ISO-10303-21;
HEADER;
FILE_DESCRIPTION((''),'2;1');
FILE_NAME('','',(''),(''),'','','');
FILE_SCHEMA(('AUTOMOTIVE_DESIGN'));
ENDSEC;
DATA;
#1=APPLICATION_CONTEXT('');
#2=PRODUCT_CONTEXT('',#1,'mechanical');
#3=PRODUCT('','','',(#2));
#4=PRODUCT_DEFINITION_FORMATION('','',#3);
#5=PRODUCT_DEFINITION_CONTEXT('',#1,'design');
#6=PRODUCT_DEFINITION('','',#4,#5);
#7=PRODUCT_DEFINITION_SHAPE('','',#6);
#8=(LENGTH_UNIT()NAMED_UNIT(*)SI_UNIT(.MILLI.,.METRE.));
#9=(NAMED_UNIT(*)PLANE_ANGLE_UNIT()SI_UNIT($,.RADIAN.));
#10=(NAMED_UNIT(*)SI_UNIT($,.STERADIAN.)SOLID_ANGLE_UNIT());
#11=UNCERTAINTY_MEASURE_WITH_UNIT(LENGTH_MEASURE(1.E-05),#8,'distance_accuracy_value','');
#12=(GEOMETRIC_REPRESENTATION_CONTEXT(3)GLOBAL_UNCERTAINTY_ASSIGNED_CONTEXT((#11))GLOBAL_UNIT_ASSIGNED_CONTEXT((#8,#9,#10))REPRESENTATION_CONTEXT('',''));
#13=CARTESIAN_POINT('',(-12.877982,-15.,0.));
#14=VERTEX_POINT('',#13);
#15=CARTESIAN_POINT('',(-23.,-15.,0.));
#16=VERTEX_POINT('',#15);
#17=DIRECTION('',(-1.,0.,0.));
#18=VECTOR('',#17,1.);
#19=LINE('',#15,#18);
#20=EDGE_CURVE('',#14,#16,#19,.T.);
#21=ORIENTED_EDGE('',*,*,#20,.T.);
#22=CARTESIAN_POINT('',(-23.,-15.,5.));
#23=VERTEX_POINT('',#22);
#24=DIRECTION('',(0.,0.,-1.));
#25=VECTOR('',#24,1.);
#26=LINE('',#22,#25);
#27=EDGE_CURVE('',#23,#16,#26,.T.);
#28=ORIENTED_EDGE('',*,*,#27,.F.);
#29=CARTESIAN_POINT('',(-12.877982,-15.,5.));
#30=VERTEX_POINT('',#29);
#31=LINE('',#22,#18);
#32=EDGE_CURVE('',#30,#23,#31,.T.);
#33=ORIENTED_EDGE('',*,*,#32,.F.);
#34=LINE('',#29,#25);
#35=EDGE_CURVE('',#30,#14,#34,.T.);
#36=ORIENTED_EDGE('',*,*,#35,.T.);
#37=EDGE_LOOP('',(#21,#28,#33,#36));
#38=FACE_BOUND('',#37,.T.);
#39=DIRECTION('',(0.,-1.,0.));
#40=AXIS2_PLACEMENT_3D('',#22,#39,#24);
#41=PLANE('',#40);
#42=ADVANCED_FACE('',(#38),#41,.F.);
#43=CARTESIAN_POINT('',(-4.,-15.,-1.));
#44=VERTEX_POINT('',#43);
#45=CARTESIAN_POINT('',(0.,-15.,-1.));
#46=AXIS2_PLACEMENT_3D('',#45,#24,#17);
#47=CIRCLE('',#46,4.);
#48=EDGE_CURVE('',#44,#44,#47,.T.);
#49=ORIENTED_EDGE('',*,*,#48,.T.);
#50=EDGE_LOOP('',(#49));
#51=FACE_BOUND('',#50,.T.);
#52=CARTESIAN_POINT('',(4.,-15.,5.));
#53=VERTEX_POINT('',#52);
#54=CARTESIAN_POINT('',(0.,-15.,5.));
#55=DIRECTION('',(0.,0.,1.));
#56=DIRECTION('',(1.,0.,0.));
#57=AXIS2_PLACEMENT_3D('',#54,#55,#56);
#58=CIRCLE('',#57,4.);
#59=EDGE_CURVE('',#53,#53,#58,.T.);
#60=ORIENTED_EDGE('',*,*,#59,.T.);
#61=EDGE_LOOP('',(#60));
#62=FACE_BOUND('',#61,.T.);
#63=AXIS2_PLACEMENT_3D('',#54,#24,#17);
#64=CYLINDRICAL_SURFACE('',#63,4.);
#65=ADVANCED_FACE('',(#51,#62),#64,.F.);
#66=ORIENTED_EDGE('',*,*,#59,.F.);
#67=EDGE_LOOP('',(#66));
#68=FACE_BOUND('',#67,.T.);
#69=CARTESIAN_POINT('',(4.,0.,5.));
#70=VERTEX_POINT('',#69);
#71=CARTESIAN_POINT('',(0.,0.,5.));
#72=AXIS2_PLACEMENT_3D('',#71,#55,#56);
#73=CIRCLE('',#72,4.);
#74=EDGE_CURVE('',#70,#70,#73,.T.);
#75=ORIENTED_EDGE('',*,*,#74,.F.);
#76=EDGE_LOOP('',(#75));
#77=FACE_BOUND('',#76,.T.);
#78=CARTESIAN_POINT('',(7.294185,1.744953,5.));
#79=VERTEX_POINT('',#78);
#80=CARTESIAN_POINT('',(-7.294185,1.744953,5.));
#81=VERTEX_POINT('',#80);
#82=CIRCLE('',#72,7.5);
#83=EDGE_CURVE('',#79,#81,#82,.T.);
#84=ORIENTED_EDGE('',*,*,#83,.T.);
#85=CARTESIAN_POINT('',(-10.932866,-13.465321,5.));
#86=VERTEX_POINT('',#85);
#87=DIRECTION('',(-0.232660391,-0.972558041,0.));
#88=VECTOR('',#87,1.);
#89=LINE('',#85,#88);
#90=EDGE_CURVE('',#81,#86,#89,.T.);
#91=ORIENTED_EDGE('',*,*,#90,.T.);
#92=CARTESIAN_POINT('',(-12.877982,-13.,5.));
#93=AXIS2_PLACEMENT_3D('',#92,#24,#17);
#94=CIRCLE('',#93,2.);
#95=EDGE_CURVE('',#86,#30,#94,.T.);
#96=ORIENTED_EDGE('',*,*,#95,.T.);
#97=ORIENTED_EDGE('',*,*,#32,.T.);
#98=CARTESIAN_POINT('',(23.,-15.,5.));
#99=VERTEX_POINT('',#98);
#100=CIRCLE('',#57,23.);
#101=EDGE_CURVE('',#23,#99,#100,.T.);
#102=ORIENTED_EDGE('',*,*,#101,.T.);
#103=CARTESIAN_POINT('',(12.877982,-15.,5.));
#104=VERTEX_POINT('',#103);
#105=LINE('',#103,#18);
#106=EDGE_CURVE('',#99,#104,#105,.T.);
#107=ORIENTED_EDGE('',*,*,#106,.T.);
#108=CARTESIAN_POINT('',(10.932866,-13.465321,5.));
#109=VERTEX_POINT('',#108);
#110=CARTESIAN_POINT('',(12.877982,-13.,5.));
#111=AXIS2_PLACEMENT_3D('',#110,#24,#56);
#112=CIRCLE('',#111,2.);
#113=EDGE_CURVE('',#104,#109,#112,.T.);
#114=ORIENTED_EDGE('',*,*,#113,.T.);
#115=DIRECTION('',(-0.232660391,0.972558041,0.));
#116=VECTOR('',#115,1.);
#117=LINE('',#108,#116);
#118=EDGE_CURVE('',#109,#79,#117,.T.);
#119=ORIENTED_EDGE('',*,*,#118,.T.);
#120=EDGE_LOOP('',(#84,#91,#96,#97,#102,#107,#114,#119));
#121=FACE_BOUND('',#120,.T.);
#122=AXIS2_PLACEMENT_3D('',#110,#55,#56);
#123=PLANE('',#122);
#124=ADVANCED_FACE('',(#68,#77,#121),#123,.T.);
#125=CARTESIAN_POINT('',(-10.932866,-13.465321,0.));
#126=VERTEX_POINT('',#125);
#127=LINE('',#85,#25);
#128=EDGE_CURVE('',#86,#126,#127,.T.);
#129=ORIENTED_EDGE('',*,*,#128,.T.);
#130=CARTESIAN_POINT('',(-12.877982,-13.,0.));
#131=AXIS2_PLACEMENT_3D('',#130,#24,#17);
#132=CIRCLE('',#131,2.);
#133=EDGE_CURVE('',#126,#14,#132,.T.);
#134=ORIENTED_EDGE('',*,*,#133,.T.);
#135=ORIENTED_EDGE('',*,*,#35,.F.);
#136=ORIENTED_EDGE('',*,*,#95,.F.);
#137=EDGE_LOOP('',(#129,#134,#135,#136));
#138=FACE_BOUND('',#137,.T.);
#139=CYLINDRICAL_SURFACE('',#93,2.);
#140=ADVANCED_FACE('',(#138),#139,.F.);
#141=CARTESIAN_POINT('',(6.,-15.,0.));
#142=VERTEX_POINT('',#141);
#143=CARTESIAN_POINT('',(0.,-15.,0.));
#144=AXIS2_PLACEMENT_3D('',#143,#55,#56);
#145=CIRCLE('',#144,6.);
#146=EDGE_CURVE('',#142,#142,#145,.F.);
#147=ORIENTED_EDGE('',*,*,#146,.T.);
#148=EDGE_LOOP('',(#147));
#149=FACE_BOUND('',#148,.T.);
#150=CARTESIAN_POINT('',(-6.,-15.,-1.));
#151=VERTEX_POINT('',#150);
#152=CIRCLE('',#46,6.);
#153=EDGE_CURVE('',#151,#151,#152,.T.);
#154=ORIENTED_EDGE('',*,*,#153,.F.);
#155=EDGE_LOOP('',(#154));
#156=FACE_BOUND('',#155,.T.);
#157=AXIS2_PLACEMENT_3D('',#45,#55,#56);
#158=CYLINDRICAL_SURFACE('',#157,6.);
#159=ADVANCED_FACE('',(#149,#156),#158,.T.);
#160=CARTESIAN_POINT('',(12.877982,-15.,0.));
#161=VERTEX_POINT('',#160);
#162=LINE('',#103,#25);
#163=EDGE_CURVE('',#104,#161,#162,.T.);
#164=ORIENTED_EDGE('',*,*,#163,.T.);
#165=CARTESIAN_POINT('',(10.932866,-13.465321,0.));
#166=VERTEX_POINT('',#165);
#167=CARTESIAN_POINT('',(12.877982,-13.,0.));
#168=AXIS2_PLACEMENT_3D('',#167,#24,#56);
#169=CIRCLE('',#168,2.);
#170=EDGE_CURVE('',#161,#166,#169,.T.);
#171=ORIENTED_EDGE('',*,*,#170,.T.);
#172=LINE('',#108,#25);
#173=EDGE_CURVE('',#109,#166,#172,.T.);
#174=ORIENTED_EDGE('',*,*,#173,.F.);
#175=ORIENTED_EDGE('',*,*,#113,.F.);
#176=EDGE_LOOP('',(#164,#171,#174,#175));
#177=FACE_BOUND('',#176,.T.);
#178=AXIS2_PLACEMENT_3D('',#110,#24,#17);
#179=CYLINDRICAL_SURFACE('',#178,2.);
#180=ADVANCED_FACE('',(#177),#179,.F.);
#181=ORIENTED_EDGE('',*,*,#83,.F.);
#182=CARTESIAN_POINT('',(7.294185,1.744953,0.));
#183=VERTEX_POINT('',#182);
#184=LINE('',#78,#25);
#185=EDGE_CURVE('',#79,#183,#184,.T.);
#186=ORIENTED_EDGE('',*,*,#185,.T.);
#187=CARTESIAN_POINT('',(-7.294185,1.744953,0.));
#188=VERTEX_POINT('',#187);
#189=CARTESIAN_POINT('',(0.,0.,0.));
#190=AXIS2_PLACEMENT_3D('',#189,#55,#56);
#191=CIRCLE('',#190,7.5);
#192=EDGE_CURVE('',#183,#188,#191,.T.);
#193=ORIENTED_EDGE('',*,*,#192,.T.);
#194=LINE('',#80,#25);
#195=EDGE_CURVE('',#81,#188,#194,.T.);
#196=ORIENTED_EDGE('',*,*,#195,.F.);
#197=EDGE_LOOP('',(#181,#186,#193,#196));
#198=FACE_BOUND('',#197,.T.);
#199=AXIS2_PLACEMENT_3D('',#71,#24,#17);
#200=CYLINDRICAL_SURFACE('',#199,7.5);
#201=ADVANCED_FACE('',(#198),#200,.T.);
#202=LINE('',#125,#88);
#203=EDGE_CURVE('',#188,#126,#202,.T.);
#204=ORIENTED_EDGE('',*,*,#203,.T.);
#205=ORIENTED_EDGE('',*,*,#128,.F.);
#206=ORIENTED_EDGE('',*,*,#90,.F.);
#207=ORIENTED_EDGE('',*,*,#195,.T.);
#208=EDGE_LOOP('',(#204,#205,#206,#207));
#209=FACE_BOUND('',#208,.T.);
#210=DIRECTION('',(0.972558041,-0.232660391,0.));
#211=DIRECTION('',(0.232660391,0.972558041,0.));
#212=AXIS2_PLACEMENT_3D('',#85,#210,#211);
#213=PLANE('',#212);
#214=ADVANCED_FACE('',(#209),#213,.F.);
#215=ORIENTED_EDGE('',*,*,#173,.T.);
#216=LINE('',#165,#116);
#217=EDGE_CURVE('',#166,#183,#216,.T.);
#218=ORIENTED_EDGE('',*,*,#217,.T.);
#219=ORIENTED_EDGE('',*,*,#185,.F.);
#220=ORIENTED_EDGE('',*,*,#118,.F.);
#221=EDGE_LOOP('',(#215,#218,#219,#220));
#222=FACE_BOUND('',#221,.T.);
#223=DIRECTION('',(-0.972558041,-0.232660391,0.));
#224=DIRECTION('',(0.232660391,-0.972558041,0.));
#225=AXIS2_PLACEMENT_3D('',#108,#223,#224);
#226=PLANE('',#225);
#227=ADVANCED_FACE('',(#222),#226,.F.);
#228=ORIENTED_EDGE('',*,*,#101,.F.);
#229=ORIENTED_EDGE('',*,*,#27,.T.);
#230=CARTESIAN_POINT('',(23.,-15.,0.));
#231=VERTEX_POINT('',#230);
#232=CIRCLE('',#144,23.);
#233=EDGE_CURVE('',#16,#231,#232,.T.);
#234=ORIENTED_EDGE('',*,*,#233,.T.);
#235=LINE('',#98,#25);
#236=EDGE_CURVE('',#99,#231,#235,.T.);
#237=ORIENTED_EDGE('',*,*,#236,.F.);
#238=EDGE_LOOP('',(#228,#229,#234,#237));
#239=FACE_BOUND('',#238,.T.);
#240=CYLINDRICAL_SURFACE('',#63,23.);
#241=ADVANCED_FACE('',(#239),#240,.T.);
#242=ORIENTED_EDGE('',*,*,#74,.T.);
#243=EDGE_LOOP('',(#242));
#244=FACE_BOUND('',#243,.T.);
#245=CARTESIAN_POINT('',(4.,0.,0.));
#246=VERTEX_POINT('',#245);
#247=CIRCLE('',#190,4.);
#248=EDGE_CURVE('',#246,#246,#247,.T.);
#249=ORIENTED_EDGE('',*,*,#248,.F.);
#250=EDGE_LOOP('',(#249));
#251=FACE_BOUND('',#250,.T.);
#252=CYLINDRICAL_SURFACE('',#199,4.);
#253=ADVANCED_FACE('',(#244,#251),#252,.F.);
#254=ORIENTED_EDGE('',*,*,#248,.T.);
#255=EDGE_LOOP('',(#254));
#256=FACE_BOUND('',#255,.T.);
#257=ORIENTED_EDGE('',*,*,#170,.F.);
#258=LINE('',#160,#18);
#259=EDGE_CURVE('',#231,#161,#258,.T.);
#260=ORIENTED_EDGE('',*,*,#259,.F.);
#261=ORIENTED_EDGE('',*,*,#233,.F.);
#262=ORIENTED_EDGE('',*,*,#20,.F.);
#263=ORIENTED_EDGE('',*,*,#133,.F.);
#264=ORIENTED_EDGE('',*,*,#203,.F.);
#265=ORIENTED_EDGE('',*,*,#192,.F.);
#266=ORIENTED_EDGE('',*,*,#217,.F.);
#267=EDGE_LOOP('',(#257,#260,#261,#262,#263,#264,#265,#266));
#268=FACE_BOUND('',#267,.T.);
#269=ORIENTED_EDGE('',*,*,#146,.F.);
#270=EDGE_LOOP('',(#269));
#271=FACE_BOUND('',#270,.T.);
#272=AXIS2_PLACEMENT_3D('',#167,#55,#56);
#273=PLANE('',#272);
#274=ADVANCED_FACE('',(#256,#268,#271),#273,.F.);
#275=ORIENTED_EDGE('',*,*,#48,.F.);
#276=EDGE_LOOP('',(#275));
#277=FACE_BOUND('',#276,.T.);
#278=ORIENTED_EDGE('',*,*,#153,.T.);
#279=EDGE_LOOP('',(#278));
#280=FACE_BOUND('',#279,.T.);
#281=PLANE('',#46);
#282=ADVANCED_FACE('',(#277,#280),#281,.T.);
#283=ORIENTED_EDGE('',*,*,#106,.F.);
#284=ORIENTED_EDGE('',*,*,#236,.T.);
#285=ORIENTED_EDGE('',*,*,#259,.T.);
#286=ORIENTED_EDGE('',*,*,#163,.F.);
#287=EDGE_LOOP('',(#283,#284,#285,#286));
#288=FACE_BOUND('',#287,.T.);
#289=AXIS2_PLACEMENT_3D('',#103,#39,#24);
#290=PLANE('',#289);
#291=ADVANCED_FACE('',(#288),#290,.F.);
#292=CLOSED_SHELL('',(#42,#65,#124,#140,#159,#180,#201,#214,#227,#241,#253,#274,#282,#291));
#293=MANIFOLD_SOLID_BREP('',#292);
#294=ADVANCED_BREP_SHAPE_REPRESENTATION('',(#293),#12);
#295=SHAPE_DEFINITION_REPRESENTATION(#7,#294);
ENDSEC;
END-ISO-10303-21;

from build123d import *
from build123d.topology import SkipClean

# Parameters (mm, degrees)
SKETCH1_R           = 4
BOSS_EXTRUDE1_DEPTH = 5
BOSS_EXTRUDE2_START = 1
SKETCH3_R           = 6
SKETCH3_R_2         = 4
BOSS_EXTRUDE2_DEPTH = 1


with BuildPart() as part:
    # Sketch1 → Boss-Extrude1 (new body)
    with BuildSketch(Plane.XY):
        with BuildLine():
            Line((-23, -15), (-12.87798214, -15))
            ThreePointArc((-12.87798214, -15), (-11.639160434, -14.570134001), (-10.932866059, -13.465320781))
            Line((-10.932866059, -13.465320781), (-7.294185306, 1.74495293))
            ThreePointArc((-7.294185306, 1.74495293), (0, 7.5), (7.294185306, 1.74495293))
            Line((7.294185306, 1.74495293), (10.932866059, -13.465320781))
            ThreePointArc((10.932866059, -13.465320781), (11.639160434, -14.570134001), (12.87798214, -15))
            Line((12.87798214, -15), (23, -15))
            ThreePointArc((23, -15), (0, -38), (-23, -15))
        make_face()
        Circle(SKETCH1_R, mode=Mode.SUBTRACT)
        with Locations((0, -15)):
            Circle(SKETCH1_R, mode=Mode.SUBTRACT)
    extrude(amount=BOSS_EXTRUDE1_DEPTH)

    # Sketch3 → Boss-Extrude2 (add)
    with SkipClean():  # the faces are left unmerged after this step: merging them gives an invalid solid
        with BuildSketch(Plane(origin=(0, 0, 0), x_dir=(-1, 0, 0), z_dir=(0, 0, -1)).offset(BOSS_EXTRUDE2_START)):
            with Locations(Location((0, -15, 0), (0, 0, 180))):
                Circle(SKETCH3_R)
            with Locations((0, -15)):
                Circle(SKETCH3_R_2, mode=Mode.SUBTRACT)
        extrude(amount=-BOSS_EXTRUDE2_DEPTH)


solid = part.part
